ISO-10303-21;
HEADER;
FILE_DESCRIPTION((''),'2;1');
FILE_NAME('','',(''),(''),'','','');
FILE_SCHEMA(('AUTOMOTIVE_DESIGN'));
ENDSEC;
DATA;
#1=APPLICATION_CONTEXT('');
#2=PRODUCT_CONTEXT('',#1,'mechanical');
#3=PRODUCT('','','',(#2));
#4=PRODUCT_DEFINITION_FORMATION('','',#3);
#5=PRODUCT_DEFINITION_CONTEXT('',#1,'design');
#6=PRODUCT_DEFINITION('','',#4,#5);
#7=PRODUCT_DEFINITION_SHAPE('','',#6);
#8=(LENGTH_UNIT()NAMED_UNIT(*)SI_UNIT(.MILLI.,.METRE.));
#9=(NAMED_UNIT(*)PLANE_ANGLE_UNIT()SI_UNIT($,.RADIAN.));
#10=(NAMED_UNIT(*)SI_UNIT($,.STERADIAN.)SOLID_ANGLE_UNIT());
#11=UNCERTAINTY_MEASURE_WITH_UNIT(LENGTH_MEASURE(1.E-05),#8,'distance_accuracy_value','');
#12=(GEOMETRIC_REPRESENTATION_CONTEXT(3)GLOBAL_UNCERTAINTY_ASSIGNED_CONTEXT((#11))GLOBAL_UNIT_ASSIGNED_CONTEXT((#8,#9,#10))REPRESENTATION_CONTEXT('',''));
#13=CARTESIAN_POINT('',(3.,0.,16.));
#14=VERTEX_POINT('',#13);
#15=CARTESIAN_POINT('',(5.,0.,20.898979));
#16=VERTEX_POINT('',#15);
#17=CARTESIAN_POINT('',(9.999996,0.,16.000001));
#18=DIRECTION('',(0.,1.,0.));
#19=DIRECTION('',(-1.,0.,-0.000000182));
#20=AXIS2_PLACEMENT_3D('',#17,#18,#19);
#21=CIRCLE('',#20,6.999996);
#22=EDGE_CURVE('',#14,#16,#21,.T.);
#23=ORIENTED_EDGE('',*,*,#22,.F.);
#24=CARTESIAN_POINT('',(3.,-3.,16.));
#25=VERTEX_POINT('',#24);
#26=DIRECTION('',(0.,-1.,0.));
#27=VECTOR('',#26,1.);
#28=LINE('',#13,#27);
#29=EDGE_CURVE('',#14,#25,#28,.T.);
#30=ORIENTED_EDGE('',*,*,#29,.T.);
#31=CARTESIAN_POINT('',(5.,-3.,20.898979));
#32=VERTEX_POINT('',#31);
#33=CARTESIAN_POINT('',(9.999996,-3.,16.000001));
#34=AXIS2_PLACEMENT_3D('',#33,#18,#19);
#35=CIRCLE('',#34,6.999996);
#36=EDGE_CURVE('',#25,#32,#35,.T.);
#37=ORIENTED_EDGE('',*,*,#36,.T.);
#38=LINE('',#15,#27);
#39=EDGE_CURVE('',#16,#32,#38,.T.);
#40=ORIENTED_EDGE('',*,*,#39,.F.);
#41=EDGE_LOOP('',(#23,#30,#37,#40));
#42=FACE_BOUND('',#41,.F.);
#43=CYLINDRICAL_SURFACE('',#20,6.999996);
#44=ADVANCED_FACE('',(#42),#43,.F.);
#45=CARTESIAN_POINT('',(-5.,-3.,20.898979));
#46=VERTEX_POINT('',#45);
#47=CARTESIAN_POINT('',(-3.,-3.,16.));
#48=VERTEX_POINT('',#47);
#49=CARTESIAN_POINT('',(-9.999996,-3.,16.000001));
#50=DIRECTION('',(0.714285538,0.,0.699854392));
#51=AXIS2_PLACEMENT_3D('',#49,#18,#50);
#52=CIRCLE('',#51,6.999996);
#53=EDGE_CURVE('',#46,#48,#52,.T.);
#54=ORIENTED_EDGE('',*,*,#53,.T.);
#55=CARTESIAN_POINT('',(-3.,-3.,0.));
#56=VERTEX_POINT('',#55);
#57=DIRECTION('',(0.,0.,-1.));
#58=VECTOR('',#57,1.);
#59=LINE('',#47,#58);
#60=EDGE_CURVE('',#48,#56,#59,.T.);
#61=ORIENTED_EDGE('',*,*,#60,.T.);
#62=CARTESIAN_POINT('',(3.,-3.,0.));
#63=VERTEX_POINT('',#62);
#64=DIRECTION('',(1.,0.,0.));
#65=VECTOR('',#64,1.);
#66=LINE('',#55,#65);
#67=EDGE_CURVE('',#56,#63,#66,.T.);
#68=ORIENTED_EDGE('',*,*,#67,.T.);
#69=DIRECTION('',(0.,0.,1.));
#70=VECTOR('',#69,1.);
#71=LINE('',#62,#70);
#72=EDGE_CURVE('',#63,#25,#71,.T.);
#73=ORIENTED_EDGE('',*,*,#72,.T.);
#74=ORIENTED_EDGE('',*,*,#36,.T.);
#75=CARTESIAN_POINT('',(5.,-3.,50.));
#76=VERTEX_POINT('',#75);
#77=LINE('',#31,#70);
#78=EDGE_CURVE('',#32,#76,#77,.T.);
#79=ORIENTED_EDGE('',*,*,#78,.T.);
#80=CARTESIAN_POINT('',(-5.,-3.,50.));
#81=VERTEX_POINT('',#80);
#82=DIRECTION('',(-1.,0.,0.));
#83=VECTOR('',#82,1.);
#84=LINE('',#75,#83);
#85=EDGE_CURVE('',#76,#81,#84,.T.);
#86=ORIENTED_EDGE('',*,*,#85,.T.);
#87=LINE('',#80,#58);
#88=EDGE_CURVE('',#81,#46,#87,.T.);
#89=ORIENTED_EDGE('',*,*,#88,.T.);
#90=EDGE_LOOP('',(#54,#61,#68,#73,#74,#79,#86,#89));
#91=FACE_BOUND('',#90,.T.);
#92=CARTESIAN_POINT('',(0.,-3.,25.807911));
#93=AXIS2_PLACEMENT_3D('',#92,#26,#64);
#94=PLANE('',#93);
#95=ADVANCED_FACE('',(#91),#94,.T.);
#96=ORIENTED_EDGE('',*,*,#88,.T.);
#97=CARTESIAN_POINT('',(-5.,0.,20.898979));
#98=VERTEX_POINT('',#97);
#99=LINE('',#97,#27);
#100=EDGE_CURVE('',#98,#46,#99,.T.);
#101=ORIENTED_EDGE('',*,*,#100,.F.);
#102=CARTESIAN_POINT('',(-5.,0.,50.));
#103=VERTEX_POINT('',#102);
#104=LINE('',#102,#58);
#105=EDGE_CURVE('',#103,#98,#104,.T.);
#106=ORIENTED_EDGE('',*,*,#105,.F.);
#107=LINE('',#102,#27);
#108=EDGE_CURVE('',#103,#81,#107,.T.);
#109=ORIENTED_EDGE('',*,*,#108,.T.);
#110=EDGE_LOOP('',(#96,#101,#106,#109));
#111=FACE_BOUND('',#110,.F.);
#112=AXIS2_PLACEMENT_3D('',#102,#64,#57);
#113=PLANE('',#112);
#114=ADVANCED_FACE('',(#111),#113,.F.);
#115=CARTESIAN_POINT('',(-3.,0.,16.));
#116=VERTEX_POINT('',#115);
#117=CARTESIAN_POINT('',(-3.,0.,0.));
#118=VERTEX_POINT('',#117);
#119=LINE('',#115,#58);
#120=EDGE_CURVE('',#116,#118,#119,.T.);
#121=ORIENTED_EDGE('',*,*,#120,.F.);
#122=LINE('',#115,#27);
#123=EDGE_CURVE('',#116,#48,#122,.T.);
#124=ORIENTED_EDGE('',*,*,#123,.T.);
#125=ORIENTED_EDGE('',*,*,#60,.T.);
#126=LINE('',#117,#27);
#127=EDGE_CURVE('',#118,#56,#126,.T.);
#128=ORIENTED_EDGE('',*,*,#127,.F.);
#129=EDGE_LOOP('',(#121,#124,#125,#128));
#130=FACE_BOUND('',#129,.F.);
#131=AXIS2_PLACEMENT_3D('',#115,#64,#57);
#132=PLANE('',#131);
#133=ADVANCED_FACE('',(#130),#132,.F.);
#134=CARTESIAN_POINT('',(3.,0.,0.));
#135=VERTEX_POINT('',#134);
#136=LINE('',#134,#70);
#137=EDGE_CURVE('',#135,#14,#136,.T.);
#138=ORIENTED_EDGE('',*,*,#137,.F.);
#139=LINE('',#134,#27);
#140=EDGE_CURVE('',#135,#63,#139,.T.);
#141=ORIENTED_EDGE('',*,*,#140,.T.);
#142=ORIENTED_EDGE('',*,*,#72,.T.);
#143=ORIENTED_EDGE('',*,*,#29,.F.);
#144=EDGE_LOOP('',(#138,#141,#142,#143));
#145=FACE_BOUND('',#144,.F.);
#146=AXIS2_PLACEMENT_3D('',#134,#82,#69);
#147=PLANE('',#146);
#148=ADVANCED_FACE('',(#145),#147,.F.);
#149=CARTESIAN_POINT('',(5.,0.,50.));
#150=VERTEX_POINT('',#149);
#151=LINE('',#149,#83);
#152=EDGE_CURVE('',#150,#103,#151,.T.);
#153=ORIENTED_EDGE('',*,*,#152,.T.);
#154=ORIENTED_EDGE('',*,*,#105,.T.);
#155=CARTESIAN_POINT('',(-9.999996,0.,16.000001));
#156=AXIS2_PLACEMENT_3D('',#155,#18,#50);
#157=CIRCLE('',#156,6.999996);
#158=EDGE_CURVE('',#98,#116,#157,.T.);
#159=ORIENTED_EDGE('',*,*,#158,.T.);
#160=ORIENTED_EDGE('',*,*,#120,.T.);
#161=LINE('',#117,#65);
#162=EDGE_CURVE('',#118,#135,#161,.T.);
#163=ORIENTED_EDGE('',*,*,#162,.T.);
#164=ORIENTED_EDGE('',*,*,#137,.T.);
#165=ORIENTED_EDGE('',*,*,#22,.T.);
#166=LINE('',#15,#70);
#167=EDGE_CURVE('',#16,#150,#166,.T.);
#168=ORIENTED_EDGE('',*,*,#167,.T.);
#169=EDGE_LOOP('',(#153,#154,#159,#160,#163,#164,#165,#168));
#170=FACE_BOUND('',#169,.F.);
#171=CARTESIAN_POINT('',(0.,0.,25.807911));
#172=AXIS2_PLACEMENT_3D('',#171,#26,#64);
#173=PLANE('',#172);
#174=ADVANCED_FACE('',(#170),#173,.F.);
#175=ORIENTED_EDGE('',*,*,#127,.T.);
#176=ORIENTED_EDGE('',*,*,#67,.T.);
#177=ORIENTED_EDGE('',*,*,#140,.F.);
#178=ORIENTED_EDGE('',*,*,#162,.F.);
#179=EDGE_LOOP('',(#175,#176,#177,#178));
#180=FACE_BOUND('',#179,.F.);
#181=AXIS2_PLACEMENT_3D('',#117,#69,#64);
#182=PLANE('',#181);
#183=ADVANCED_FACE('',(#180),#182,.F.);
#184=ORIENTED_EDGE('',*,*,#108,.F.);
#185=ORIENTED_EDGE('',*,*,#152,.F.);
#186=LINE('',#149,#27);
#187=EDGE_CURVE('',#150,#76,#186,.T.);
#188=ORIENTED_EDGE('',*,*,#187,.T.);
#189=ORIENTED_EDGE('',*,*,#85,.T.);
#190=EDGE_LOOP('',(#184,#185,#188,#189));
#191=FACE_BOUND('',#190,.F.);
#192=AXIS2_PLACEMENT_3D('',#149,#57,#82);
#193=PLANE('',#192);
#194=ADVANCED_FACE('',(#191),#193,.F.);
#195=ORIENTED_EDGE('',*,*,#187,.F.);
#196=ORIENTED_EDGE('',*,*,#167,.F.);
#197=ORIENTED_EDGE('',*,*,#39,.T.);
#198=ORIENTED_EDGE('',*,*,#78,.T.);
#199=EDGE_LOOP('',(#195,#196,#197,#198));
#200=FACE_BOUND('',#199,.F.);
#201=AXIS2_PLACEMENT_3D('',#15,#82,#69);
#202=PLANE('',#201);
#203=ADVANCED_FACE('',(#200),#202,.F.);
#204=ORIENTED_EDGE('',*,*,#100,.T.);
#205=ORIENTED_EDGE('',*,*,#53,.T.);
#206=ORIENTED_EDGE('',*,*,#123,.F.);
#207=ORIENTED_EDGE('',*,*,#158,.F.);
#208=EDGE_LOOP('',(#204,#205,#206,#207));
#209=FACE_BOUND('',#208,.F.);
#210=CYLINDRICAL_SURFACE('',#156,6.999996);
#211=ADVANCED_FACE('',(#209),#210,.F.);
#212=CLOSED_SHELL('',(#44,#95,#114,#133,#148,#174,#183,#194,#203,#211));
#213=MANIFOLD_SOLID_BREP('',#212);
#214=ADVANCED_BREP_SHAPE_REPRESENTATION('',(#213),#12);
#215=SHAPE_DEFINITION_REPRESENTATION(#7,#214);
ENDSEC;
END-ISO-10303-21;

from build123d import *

# Parameters (mm, degrees)
F1_DEPTH = 3


with BuildPart() as f1:
    # F0 (on Front) → F1 (new body)
    with BuildSketch(Plane.XZ):
        with BuildLine():
            Line((-3, 0), (3, 0))
            Line((3, 0), (3, 16))
            ThreePointArc((3, 16), (3.519259, 18.645751), (5, 20.898979))
            Line((5, 20.898979), (5, 50))
            Line((5, 50), (0, 50))
            Line((0, 50), (-5, 50))
            Line((-5, 50), (-5, 20.898979))
            ThreePointArc((-5, 20.898979), (-3.519259, 18.645751), (-3, 16))
            Line((-3, 16), (-3, 0))
        make_face()
    extrude(amount=F1_DEPTH)


solid = f1.part
